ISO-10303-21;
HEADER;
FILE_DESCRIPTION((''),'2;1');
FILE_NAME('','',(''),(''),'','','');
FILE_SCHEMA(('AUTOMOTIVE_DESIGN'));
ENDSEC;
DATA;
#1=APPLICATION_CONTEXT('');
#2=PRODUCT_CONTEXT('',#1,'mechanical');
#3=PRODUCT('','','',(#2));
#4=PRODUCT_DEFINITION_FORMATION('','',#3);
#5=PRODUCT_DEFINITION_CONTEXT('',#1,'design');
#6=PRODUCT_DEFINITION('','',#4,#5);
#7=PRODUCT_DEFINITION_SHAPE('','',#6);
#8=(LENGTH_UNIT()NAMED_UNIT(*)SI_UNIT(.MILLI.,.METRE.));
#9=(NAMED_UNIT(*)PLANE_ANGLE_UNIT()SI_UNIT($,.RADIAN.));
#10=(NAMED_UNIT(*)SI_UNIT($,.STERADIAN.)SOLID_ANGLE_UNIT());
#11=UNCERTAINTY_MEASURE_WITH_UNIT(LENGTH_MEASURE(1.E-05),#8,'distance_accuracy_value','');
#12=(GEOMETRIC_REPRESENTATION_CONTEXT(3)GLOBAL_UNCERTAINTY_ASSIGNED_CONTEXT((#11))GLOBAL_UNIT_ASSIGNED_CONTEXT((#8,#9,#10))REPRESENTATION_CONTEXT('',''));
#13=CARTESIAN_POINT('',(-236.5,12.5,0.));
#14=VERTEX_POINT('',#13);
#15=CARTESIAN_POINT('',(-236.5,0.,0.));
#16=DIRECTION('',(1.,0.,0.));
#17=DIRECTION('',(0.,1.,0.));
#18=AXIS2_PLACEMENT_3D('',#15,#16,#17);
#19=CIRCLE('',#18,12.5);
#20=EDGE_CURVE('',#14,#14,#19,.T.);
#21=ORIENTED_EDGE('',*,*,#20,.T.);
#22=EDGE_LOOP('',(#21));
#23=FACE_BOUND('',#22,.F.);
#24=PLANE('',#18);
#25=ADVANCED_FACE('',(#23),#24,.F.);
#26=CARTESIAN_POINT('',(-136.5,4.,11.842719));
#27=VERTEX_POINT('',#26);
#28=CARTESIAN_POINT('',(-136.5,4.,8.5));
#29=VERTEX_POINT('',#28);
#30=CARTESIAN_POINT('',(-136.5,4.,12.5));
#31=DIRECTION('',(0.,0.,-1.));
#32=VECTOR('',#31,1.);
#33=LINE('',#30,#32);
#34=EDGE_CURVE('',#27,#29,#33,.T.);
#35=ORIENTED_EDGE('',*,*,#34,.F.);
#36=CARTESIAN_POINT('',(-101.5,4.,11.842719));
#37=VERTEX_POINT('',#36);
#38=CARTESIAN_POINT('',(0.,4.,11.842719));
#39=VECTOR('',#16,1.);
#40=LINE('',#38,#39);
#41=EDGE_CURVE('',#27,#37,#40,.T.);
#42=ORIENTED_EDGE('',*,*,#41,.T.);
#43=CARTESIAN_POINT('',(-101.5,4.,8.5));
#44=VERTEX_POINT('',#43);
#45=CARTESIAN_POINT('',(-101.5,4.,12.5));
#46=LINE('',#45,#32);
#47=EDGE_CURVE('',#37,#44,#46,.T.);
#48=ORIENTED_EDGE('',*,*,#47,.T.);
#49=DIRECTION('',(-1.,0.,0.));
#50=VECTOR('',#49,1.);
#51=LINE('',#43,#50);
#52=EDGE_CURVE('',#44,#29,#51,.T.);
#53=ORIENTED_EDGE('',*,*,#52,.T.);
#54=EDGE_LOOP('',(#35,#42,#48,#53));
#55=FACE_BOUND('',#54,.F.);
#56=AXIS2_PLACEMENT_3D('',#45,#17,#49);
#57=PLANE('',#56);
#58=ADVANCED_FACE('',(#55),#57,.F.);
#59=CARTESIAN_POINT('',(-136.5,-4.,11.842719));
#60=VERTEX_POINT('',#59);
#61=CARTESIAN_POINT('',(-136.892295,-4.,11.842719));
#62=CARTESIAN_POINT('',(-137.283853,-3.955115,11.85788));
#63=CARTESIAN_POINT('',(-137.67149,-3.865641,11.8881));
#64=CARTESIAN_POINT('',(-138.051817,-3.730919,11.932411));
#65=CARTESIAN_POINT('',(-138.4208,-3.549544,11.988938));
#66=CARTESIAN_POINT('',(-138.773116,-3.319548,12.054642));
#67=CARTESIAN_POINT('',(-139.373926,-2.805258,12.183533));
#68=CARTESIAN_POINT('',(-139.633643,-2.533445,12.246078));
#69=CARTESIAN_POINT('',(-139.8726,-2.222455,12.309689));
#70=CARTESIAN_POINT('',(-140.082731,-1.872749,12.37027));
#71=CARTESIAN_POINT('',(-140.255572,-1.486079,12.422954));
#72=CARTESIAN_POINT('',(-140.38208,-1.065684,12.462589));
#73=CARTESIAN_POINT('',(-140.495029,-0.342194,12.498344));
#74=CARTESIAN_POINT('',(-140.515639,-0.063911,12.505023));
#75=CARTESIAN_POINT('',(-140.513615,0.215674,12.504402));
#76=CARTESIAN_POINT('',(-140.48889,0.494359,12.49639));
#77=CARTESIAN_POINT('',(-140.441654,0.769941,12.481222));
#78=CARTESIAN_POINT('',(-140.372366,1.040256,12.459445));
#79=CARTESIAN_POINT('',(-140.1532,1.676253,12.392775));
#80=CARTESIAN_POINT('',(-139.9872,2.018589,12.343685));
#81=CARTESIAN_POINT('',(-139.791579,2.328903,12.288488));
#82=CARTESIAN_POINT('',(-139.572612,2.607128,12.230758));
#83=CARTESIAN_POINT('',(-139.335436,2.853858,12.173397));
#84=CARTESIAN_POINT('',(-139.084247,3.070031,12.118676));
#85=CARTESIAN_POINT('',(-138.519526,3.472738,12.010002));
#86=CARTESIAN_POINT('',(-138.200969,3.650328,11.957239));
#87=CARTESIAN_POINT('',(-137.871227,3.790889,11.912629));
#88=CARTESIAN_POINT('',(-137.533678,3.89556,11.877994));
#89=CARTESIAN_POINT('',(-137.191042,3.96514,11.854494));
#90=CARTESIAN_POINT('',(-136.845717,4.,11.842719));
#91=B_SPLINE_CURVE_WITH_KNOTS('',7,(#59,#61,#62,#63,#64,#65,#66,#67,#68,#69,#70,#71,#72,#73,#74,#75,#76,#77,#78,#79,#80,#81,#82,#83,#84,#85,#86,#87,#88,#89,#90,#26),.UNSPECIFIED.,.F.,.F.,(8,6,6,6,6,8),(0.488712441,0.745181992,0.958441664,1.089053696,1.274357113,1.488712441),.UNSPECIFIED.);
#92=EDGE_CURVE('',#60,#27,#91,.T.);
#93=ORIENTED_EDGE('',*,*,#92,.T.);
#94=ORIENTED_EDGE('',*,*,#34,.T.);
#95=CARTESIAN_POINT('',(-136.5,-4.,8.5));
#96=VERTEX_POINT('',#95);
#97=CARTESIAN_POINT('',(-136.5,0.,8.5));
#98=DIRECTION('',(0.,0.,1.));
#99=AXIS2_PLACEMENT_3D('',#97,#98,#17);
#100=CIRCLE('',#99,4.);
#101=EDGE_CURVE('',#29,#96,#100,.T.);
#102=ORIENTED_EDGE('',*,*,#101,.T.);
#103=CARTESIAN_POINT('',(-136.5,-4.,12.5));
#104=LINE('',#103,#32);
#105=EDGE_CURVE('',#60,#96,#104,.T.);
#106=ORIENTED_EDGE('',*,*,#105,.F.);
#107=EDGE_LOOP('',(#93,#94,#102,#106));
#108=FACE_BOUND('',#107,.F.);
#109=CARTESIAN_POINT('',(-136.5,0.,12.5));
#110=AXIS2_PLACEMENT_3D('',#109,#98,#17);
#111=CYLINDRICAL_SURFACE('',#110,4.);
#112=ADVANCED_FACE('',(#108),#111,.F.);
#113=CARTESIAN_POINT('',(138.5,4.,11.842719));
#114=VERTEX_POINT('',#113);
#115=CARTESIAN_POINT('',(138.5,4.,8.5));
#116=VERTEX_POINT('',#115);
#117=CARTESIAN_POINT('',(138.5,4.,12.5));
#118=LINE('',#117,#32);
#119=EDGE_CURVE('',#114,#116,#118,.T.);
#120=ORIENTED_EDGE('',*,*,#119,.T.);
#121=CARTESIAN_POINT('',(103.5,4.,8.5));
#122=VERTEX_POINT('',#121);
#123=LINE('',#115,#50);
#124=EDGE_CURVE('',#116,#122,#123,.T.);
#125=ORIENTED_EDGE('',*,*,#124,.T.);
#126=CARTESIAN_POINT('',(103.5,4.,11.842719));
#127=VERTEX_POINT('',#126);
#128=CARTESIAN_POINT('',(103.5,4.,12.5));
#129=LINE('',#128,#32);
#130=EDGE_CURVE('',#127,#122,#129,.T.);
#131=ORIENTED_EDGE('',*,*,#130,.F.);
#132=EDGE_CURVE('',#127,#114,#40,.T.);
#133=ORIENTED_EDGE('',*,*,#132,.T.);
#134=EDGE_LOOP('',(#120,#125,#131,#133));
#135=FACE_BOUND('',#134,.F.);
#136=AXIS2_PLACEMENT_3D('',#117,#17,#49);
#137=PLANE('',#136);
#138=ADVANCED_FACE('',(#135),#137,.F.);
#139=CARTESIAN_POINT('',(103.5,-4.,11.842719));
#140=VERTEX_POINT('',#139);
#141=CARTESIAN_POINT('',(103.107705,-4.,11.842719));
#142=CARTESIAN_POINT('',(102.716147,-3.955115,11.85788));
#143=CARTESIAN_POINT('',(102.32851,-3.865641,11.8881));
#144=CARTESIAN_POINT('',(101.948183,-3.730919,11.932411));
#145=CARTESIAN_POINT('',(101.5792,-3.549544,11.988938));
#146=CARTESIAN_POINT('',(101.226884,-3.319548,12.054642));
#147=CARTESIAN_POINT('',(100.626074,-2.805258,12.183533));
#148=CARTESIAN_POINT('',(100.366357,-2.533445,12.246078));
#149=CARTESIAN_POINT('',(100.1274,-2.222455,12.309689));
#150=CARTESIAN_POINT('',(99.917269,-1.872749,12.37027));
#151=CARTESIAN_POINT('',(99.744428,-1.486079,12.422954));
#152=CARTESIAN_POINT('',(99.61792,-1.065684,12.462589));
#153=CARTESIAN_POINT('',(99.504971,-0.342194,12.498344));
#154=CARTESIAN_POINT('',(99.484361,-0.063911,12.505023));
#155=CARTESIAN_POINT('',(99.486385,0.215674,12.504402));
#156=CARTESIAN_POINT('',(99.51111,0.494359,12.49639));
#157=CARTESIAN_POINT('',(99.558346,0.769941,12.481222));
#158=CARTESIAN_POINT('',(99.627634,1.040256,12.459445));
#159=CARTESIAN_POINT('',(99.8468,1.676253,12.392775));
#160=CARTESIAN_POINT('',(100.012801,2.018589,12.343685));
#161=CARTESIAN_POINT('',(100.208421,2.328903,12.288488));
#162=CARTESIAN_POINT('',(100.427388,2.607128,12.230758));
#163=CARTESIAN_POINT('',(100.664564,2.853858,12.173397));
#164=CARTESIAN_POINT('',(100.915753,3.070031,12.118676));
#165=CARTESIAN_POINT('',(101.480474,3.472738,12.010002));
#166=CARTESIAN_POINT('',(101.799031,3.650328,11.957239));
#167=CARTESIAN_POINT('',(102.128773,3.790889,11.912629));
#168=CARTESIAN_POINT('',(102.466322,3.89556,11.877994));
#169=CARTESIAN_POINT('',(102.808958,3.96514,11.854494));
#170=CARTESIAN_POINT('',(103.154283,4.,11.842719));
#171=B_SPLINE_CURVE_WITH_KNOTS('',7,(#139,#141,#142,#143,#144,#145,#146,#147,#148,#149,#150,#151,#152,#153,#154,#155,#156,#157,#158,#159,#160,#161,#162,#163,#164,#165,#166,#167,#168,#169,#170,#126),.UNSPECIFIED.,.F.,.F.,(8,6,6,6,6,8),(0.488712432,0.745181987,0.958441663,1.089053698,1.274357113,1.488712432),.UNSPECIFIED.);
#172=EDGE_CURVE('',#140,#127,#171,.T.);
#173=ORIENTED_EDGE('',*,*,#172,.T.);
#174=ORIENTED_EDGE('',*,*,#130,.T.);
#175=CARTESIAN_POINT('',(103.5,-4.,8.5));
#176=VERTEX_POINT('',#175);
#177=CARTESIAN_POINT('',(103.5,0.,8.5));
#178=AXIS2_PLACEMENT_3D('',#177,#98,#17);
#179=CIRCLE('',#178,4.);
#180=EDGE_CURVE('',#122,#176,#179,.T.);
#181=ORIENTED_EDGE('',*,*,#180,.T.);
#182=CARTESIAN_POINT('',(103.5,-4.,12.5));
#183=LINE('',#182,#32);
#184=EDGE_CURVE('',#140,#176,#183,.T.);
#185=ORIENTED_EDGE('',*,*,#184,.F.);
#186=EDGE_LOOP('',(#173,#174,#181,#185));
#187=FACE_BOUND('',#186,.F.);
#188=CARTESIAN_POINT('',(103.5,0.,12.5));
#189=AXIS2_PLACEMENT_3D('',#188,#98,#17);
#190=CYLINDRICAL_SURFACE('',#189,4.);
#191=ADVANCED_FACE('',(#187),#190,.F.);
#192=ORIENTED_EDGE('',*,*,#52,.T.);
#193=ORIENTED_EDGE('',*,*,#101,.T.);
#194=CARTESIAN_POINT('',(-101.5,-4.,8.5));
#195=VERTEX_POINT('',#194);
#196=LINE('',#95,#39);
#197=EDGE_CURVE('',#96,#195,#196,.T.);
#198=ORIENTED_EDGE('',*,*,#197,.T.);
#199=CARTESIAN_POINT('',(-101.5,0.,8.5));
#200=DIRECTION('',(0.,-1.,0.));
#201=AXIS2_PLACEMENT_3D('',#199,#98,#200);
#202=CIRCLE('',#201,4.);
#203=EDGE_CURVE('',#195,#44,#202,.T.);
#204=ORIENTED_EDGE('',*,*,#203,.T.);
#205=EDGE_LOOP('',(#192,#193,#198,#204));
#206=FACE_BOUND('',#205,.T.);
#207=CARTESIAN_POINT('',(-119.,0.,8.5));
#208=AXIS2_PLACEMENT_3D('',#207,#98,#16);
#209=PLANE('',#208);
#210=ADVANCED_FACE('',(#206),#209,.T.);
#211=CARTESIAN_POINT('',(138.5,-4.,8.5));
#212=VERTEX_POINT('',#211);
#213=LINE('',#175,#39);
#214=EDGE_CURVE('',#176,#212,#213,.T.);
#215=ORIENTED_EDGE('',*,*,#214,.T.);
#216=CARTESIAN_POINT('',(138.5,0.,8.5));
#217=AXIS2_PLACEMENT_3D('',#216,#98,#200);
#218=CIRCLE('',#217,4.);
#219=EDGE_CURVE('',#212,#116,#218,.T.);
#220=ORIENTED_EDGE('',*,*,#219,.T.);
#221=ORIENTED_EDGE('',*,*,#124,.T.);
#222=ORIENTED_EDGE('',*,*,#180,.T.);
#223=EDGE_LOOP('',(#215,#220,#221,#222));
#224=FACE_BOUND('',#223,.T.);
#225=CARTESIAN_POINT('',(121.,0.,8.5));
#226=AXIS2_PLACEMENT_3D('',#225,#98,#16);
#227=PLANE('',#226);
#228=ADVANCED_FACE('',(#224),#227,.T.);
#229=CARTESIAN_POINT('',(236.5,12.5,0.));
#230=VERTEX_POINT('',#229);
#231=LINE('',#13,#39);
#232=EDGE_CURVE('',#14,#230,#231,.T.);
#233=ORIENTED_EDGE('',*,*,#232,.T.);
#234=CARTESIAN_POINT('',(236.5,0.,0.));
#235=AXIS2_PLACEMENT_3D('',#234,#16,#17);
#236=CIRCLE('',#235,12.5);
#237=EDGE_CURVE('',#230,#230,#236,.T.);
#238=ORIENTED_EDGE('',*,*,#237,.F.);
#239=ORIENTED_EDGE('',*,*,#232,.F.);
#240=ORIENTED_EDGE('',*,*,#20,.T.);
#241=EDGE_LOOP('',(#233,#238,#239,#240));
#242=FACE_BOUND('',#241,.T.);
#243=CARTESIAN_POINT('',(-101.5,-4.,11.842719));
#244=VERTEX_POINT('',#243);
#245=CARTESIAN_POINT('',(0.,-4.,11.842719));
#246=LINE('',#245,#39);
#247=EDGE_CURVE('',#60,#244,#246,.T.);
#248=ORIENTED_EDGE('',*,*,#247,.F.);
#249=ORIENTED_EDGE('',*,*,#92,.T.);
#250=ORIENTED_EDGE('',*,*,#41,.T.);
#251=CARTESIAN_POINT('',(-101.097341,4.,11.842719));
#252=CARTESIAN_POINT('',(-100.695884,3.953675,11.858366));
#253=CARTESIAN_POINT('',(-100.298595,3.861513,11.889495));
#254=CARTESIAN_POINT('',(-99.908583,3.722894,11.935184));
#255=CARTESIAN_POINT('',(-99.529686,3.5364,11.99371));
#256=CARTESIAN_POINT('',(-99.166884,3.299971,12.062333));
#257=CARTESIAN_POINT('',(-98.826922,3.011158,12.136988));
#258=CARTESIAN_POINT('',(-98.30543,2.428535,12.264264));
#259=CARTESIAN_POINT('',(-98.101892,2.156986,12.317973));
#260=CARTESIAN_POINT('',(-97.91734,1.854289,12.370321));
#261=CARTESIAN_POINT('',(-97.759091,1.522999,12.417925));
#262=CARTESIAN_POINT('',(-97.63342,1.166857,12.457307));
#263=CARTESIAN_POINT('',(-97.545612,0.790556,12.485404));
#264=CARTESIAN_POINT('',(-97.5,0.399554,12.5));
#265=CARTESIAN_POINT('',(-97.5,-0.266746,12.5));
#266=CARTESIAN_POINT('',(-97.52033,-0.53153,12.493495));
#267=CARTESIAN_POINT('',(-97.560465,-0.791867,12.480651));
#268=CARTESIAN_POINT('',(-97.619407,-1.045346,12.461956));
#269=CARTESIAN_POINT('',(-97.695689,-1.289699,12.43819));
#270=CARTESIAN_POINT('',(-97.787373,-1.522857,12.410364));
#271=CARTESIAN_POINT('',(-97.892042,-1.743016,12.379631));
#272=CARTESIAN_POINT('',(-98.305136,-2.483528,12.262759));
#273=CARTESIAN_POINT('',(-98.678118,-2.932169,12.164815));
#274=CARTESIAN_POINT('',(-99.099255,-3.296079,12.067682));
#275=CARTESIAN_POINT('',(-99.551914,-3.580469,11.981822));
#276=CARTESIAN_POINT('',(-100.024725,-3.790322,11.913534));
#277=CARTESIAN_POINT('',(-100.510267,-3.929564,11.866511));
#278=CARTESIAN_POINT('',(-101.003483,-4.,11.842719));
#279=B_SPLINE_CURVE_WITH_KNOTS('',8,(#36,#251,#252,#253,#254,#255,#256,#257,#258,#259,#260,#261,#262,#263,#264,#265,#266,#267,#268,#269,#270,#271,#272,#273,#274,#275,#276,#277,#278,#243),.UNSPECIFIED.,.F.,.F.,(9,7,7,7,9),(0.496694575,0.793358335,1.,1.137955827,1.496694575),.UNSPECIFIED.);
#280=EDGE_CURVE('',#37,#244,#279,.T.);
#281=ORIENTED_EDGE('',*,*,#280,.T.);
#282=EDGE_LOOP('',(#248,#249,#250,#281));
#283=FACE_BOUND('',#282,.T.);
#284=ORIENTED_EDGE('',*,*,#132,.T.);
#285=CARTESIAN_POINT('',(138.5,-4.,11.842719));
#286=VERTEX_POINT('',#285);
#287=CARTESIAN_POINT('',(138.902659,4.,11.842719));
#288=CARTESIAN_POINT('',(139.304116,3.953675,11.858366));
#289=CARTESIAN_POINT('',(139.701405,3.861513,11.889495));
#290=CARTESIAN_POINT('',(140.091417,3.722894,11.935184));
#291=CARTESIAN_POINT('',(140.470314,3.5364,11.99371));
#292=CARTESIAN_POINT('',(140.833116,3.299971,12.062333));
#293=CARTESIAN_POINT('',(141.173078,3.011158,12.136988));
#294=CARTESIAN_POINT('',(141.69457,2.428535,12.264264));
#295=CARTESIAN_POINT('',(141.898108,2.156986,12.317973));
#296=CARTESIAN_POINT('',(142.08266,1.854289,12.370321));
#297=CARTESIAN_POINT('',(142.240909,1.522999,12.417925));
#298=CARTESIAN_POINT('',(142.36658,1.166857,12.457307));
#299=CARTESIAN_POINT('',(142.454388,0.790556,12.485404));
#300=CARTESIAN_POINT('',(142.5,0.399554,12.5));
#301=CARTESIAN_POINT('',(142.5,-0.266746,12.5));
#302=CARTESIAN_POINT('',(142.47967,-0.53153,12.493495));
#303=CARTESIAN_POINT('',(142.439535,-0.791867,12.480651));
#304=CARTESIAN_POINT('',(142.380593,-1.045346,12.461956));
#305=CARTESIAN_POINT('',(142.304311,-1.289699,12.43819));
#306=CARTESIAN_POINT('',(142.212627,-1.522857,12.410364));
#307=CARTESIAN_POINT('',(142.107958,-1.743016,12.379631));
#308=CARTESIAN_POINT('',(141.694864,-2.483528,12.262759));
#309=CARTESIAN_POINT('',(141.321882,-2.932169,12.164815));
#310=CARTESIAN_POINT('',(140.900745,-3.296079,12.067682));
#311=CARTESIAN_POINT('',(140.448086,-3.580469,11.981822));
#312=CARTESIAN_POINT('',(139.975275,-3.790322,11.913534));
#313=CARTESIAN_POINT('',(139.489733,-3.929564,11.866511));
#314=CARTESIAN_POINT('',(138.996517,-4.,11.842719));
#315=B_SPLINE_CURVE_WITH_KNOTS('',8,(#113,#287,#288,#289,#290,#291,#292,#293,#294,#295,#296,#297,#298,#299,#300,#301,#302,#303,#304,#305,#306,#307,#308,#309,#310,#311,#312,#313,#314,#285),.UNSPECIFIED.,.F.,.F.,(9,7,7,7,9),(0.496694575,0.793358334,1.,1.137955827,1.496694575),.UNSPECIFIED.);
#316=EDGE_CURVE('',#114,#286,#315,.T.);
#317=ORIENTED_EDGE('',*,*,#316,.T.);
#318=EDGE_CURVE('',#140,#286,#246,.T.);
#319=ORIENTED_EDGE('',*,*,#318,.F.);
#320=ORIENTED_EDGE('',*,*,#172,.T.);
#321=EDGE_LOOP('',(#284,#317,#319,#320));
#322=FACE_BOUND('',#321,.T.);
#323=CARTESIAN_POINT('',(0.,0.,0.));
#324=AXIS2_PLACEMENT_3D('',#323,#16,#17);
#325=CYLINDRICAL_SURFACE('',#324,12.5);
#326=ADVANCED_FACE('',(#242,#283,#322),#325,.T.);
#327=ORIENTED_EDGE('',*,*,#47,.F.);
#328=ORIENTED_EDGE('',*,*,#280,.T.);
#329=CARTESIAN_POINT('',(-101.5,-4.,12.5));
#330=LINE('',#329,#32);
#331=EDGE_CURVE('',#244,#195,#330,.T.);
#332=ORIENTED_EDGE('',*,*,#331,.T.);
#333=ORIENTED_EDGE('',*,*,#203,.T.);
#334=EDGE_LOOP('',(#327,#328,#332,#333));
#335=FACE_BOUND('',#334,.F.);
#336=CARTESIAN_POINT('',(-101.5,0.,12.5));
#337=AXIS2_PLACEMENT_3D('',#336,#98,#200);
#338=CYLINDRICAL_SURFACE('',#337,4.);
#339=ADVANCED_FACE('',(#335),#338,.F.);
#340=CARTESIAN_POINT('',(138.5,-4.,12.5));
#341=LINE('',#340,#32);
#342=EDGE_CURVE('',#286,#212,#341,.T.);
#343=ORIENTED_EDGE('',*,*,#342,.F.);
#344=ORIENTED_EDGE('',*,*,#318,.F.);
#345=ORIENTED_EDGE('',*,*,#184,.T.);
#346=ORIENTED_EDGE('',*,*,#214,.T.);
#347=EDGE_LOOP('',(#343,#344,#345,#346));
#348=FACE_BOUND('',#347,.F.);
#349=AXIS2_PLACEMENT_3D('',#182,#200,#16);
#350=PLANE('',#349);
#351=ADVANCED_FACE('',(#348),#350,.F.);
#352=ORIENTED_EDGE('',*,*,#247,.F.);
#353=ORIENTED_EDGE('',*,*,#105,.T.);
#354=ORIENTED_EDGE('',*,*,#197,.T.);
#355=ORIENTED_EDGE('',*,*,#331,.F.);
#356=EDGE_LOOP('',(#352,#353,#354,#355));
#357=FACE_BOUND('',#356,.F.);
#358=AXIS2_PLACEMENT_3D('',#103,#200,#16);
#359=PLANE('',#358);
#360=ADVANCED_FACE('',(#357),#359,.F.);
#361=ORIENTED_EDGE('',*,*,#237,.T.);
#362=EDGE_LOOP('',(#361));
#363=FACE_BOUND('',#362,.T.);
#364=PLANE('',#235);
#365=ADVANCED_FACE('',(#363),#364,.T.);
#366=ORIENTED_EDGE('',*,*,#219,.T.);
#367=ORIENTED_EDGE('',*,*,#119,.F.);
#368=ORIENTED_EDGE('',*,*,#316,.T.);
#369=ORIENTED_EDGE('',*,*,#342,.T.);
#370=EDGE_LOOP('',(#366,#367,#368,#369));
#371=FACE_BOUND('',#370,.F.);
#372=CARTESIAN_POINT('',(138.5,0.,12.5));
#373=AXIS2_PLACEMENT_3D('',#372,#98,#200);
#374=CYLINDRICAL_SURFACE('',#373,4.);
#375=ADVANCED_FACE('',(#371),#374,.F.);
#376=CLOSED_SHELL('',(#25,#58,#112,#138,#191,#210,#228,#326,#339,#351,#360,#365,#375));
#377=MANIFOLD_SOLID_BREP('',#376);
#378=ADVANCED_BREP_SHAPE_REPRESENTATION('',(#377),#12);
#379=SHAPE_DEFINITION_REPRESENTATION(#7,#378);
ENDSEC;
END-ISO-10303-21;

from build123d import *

# Parameters (mm, degrees)
F0_R     = 12.5
F2_DEPTH = 236.5
F4_DEPTH = 4


with BuildPart() as f2:
    # F0 (on Right) → F2 (new body, symmetric)
    with BuildSketch(Plane.YZ):
        Circle(F0_R)
    extrude(amount=F2_DEPTH, both=True)

    # F3 (on offset) → F4 (cut)
    with BuildSketch(Plane.XY.offset(12.5)):
        with BuildLine():
            ThreePointArc((-136.5, 4), (-140.5, 0), (-136.5, -4))
            Line((-136.5, -4), (-101.5, -4))
            ThreePointArc((-101.5, -4), (-97.5, 0), (-101.5, 4))
            Line((-101.5, 4), (-136.5, 4))
        make_face()
        with BuildLine():
            ThreePointArc((103.5, 4), (99.5, 0), (103.5, -4))
            Line((103.5, -4), (138.5, -4))
            ThreePointArc((138.5, -4), (142.5, 0), (138.5, 4))
            Line((138.5, 4), (103.5, 4))
        make_face()
    extrude(amount=-F4_DEPTH, mode=Mode.SUBTRACT)


solid = f2.part
